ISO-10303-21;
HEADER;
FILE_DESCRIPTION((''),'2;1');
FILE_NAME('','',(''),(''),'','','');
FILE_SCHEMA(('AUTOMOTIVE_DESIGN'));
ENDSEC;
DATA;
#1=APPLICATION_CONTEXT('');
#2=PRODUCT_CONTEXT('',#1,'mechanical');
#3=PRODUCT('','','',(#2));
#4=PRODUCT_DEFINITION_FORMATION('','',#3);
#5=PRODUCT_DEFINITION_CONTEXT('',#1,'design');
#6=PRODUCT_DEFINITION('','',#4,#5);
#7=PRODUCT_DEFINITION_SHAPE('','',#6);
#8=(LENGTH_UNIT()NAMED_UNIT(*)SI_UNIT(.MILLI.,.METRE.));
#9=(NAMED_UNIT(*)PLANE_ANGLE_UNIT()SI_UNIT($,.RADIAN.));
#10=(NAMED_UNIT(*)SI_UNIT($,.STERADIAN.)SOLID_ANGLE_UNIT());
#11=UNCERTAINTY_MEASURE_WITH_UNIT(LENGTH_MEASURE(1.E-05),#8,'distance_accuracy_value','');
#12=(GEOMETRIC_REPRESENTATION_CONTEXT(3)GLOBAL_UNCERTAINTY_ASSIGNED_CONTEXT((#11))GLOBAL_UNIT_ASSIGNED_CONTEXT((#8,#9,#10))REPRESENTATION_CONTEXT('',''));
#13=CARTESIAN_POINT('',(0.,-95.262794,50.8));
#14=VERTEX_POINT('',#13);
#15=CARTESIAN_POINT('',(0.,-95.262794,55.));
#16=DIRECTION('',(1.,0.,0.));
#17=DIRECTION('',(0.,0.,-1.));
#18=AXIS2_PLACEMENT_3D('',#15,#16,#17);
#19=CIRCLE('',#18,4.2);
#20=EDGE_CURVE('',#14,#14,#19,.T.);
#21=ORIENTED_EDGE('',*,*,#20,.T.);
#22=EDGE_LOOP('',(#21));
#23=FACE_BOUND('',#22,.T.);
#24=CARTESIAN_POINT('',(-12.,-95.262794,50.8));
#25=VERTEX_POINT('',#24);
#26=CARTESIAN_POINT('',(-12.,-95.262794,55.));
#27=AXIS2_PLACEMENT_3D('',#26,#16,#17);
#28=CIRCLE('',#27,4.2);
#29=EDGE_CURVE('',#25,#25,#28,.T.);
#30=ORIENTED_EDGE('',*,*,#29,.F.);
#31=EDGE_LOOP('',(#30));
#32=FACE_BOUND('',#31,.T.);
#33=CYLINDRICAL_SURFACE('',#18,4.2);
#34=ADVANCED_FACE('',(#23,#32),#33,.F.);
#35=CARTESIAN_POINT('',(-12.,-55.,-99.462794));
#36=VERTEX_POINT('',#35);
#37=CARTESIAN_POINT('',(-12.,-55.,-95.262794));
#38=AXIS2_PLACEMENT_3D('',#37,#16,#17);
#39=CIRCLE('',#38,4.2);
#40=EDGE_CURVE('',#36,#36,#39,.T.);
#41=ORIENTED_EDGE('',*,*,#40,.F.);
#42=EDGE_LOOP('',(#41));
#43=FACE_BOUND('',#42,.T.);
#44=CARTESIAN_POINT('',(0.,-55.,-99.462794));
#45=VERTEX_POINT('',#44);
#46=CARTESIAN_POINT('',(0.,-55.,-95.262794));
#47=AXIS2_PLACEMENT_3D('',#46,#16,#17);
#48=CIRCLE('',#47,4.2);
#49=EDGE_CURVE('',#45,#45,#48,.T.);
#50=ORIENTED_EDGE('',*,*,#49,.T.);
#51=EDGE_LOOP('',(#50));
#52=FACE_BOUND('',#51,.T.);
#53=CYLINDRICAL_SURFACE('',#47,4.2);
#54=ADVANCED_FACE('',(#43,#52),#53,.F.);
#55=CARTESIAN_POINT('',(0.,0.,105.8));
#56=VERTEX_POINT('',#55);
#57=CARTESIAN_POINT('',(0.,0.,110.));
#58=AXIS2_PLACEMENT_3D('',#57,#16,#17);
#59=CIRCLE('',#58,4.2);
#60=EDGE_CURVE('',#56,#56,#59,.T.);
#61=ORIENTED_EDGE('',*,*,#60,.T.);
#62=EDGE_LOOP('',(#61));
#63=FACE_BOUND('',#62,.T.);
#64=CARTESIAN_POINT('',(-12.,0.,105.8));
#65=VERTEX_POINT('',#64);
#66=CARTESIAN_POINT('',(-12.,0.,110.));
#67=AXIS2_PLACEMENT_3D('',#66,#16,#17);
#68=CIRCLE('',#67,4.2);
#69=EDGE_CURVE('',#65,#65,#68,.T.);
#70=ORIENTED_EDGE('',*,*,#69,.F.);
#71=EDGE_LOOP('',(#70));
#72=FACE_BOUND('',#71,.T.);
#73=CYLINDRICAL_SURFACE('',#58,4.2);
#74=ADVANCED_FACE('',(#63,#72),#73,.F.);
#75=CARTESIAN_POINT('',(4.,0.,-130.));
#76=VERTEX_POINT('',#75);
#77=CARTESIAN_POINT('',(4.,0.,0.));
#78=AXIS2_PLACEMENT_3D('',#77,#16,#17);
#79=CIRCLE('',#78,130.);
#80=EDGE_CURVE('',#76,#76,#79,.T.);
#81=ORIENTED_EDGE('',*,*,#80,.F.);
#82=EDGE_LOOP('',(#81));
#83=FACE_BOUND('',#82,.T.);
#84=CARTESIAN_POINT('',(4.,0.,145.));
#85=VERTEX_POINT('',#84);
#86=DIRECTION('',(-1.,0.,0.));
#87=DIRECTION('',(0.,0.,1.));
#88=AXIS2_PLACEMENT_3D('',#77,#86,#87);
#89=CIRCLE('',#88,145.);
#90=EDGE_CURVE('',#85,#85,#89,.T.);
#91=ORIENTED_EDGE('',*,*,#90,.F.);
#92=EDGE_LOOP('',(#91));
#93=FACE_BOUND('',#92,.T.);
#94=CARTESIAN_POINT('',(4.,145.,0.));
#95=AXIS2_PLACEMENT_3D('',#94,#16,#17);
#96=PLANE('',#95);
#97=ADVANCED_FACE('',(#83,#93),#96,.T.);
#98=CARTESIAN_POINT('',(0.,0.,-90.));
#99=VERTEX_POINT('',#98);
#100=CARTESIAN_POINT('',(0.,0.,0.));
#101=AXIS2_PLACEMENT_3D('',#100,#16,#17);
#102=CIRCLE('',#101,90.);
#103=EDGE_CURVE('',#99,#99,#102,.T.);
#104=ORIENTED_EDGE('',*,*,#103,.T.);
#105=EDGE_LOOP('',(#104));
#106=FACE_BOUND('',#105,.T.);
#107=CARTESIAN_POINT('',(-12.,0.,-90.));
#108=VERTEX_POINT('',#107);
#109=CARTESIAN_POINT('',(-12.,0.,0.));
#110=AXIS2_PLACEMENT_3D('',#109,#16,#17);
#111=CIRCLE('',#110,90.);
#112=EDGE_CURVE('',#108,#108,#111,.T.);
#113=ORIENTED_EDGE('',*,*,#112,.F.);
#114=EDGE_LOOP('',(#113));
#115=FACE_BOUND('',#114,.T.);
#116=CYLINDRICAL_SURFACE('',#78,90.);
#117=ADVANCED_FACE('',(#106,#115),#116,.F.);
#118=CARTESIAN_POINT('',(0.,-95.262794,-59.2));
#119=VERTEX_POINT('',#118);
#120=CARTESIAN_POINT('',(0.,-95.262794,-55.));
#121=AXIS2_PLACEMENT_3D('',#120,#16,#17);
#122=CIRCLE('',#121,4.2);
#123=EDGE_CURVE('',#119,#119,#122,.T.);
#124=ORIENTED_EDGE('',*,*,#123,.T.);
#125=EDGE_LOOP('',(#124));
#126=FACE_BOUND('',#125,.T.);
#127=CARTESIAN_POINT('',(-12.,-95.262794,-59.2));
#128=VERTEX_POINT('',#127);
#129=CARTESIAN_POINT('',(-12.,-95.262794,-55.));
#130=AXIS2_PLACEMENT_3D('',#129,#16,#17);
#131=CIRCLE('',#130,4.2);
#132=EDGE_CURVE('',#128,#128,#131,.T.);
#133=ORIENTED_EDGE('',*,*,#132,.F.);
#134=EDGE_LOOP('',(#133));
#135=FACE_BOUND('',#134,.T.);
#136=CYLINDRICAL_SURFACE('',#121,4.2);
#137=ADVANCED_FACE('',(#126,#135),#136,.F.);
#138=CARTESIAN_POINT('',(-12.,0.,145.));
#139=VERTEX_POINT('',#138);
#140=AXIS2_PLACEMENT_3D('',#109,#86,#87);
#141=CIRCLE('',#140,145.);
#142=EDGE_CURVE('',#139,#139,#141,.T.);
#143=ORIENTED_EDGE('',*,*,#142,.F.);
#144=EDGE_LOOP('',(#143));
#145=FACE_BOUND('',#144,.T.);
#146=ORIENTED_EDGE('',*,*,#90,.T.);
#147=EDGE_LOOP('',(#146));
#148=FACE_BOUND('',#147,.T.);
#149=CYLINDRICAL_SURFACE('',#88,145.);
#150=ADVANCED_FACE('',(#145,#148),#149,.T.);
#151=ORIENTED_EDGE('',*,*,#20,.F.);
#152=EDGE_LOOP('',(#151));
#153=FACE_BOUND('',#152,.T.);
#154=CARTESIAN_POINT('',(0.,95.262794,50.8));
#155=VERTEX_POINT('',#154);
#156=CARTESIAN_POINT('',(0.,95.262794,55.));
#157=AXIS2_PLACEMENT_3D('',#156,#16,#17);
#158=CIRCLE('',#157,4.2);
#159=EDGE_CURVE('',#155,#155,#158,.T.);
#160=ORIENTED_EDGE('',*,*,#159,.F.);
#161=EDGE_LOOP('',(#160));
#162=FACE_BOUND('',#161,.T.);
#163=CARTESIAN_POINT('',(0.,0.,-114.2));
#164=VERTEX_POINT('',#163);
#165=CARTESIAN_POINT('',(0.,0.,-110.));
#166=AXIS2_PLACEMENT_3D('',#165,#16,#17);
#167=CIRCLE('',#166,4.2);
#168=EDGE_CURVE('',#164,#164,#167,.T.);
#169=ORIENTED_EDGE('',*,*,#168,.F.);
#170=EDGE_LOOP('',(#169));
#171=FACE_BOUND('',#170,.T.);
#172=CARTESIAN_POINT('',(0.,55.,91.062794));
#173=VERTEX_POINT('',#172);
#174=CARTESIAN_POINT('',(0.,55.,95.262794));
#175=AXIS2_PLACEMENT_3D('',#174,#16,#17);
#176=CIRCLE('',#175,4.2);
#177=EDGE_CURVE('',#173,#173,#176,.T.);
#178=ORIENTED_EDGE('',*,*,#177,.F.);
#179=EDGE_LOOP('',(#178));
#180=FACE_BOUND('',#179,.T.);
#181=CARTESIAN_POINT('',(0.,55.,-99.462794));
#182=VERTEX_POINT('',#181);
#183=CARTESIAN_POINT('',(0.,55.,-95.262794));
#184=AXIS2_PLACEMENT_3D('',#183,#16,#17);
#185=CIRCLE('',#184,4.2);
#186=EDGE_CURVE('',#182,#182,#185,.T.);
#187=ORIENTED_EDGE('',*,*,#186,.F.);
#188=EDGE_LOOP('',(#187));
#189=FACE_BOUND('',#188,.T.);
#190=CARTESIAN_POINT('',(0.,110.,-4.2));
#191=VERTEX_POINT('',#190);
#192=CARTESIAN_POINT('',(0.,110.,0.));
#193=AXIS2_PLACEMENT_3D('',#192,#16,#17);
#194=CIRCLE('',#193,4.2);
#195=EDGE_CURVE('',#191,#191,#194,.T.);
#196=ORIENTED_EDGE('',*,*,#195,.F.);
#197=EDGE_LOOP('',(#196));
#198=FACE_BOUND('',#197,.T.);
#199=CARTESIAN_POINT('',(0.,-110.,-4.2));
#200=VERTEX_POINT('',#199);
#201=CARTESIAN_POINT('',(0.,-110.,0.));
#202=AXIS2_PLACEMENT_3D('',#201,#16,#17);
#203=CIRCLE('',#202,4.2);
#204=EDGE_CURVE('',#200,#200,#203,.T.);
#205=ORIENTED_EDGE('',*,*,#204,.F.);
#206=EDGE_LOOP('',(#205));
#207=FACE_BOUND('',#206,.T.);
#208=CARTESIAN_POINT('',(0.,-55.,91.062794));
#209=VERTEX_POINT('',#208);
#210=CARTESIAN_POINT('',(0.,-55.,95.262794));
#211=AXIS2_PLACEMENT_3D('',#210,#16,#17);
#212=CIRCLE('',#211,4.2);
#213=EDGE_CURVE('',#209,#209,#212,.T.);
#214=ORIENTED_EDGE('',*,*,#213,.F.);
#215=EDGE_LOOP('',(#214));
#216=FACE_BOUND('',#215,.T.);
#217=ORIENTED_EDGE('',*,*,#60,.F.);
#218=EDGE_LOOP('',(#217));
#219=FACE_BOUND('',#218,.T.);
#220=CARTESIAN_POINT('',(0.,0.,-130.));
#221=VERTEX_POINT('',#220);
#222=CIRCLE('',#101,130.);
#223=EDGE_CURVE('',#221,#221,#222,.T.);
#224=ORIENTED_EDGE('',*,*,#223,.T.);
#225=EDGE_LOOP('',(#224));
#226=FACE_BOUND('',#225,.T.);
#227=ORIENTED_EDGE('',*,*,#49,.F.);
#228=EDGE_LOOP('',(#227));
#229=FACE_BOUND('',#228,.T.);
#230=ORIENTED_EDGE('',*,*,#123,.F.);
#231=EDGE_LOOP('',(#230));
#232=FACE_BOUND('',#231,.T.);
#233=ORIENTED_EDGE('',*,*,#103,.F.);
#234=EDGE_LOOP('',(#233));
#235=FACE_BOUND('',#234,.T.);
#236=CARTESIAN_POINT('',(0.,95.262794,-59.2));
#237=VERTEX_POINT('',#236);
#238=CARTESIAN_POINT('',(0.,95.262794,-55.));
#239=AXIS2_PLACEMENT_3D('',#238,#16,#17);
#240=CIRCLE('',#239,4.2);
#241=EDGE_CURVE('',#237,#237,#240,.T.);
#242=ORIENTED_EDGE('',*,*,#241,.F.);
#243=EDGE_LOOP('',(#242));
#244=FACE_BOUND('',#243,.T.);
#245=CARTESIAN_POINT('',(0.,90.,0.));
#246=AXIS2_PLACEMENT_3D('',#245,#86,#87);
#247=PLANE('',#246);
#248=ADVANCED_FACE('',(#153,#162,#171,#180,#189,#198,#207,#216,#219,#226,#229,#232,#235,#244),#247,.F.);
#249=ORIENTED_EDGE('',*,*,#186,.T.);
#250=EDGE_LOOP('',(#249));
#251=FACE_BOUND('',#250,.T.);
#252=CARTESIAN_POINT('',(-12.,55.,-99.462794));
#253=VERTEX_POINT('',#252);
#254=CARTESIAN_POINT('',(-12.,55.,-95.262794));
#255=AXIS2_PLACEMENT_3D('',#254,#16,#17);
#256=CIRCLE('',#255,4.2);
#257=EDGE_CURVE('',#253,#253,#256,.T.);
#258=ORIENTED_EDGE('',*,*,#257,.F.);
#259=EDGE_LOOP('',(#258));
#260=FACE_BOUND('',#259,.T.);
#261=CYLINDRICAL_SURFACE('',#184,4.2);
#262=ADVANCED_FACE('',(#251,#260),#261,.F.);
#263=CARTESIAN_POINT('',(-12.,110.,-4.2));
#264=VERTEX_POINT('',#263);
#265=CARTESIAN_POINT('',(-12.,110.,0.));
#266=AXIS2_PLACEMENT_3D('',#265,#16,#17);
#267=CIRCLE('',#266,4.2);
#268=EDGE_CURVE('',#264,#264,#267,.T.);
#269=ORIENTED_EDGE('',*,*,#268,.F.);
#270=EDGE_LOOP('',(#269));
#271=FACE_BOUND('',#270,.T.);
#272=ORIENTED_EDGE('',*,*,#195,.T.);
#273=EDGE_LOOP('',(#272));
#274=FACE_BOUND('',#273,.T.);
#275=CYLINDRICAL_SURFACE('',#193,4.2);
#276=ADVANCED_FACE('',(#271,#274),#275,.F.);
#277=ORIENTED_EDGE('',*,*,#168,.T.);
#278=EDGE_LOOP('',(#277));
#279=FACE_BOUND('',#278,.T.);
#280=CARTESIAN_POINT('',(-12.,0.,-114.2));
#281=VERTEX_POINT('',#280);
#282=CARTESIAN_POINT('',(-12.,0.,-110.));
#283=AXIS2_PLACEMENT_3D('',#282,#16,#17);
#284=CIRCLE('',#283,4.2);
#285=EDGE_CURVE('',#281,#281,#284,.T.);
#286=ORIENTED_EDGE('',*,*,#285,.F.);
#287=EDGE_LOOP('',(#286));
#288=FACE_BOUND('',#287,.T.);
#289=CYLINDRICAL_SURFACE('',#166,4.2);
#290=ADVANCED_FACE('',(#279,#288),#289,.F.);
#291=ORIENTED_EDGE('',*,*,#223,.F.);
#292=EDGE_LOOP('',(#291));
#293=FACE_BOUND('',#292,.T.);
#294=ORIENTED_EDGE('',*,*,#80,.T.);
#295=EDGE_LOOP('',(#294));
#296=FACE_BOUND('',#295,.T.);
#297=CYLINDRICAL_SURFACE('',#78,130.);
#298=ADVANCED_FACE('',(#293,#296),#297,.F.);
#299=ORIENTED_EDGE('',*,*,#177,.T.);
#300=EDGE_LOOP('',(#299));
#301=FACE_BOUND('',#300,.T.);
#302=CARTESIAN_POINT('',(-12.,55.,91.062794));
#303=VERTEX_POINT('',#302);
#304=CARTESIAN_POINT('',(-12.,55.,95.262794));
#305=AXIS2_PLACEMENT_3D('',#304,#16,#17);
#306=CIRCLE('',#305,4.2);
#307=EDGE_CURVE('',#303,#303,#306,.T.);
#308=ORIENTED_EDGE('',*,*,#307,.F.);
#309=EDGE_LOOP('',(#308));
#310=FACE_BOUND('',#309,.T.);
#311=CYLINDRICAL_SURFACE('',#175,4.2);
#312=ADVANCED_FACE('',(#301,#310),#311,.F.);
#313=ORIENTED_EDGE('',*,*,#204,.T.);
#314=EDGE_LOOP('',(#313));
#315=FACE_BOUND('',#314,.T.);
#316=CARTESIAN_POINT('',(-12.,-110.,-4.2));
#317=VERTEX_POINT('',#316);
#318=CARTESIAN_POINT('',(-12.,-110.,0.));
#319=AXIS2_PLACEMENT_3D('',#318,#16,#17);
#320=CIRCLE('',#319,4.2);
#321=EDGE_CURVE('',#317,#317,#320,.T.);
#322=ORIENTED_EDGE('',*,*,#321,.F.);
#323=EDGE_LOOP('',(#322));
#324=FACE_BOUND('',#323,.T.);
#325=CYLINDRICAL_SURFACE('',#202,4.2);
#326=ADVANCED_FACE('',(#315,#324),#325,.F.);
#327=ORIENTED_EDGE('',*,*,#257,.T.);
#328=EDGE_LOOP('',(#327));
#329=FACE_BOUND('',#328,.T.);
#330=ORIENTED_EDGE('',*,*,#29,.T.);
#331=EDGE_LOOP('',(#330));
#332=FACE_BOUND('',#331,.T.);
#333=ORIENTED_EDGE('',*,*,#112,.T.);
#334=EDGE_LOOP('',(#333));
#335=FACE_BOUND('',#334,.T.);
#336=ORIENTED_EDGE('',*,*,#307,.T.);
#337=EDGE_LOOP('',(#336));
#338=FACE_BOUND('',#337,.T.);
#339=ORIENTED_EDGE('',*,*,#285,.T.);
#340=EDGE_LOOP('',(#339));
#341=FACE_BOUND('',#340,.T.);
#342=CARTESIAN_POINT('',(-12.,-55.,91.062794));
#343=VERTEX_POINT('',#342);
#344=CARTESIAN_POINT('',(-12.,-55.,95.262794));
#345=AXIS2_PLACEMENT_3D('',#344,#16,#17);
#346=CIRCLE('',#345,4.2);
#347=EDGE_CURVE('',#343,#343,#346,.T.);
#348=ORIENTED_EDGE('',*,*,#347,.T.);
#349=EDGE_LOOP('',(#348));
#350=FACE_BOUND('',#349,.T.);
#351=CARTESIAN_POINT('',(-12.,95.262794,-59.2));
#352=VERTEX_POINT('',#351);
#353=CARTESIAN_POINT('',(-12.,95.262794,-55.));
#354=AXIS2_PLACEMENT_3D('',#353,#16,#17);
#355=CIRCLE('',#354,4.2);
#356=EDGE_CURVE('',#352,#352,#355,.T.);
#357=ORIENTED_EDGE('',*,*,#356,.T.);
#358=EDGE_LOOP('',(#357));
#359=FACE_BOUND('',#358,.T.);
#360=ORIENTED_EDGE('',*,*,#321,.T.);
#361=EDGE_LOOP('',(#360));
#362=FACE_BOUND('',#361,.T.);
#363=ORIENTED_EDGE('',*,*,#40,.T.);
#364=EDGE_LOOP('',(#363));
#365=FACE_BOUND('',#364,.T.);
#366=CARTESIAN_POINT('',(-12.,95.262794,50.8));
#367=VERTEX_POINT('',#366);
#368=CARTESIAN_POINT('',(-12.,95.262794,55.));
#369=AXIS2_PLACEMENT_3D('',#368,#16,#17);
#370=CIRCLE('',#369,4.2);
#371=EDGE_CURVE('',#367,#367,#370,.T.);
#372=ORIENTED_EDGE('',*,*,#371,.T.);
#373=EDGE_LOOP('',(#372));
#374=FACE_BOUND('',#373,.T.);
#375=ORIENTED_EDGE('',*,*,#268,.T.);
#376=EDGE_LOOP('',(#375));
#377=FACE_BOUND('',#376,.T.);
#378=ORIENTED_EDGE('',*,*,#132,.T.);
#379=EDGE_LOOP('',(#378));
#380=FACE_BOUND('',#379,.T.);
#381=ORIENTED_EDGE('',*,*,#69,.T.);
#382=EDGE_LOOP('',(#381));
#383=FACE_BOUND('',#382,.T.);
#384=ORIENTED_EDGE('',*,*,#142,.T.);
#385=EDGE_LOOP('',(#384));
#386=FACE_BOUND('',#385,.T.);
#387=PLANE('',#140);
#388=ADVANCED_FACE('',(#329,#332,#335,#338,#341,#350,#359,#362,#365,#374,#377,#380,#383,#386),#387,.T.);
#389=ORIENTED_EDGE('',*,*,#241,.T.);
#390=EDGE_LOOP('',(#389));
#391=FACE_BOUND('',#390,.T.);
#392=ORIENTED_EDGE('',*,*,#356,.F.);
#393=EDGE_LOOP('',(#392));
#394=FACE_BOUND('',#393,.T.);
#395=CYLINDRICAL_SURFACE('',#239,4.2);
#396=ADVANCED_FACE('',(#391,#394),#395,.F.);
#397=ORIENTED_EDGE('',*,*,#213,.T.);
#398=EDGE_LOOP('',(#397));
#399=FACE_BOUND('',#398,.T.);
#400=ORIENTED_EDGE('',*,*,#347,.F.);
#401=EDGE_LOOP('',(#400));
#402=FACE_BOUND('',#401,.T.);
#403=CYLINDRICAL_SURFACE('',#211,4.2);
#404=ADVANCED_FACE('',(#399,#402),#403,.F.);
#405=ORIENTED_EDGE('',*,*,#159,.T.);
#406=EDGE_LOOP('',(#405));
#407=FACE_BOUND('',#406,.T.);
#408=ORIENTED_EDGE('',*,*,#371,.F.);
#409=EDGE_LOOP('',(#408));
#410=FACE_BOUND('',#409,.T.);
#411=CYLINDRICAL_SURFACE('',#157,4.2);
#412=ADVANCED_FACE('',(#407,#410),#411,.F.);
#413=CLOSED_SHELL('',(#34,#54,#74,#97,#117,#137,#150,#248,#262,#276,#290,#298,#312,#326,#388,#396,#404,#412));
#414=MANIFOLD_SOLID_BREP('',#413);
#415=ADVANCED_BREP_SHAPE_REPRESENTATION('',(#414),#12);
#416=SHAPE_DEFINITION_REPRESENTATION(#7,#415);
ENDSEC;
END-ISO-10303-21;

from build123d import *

# Parameters (mm, degrees)
SKETCH1_W                  = 16
SKETCH1_H                  = 145
HOLE1_D                    = 180
HOLE1_CBORE_D              = 260
HOLE1_CBORE_DEPTH          = 4
F_8_4_8_4_DIAMETER_HOLE1_D = 8.4


with BuildPart() as part:
    # Sketch1 → Revolve1 (revolve)
    with BuildSketch(Plane(origin=(0, 0, 0), x_dir=(-1, 0, 0), z_dir=(0, 0, -1)), mode=Mode.PRIVATE) as revolve1_sk:
        with Locations((4, 72.5)):
            Rectangle(SKETCH1_W, SKETCH1_H)
    revolve(revolve1_sk.sketch.rotate(Axis((4, 0, 0), (-1, 0, 0)), 270), axis=Axis((4, 0, 0), (-1, 0, 0)))

    # Hole1 (through all)
    with Locations(Plane(origin=(4, 0, 0), x_dir=(0, 0, -1), z_dir=(1, 0, 0))):
        with Locations((0, 0)):
            CounterBoreHole(HOLE1_D / 2, HOLE1_CBORE_D / 2, HOLE1_CBORE_DEPTH)

    # Ø8.4 (8.4) Diameter Hole1 (through all)
    with Locations(Plane(origin=(0, 0, 0), x_dir=(0, 0, -1), z_dir=(1, 0, 0))):
        with Locations((110, 0), (95.262794416, 55), (55, 95.262794416), (0, 110), (-55, 95.262794416), (-95.262794416, 55), (-110, 0), (-95.262794416, -55), (-55, -95.262794416), (0, -110), (55, -95.262794416), (95.262794416, -55)):
            Hole(F_8_4_8_4_DIAMETER_HOLE1_D / 2)


solid = part.part
